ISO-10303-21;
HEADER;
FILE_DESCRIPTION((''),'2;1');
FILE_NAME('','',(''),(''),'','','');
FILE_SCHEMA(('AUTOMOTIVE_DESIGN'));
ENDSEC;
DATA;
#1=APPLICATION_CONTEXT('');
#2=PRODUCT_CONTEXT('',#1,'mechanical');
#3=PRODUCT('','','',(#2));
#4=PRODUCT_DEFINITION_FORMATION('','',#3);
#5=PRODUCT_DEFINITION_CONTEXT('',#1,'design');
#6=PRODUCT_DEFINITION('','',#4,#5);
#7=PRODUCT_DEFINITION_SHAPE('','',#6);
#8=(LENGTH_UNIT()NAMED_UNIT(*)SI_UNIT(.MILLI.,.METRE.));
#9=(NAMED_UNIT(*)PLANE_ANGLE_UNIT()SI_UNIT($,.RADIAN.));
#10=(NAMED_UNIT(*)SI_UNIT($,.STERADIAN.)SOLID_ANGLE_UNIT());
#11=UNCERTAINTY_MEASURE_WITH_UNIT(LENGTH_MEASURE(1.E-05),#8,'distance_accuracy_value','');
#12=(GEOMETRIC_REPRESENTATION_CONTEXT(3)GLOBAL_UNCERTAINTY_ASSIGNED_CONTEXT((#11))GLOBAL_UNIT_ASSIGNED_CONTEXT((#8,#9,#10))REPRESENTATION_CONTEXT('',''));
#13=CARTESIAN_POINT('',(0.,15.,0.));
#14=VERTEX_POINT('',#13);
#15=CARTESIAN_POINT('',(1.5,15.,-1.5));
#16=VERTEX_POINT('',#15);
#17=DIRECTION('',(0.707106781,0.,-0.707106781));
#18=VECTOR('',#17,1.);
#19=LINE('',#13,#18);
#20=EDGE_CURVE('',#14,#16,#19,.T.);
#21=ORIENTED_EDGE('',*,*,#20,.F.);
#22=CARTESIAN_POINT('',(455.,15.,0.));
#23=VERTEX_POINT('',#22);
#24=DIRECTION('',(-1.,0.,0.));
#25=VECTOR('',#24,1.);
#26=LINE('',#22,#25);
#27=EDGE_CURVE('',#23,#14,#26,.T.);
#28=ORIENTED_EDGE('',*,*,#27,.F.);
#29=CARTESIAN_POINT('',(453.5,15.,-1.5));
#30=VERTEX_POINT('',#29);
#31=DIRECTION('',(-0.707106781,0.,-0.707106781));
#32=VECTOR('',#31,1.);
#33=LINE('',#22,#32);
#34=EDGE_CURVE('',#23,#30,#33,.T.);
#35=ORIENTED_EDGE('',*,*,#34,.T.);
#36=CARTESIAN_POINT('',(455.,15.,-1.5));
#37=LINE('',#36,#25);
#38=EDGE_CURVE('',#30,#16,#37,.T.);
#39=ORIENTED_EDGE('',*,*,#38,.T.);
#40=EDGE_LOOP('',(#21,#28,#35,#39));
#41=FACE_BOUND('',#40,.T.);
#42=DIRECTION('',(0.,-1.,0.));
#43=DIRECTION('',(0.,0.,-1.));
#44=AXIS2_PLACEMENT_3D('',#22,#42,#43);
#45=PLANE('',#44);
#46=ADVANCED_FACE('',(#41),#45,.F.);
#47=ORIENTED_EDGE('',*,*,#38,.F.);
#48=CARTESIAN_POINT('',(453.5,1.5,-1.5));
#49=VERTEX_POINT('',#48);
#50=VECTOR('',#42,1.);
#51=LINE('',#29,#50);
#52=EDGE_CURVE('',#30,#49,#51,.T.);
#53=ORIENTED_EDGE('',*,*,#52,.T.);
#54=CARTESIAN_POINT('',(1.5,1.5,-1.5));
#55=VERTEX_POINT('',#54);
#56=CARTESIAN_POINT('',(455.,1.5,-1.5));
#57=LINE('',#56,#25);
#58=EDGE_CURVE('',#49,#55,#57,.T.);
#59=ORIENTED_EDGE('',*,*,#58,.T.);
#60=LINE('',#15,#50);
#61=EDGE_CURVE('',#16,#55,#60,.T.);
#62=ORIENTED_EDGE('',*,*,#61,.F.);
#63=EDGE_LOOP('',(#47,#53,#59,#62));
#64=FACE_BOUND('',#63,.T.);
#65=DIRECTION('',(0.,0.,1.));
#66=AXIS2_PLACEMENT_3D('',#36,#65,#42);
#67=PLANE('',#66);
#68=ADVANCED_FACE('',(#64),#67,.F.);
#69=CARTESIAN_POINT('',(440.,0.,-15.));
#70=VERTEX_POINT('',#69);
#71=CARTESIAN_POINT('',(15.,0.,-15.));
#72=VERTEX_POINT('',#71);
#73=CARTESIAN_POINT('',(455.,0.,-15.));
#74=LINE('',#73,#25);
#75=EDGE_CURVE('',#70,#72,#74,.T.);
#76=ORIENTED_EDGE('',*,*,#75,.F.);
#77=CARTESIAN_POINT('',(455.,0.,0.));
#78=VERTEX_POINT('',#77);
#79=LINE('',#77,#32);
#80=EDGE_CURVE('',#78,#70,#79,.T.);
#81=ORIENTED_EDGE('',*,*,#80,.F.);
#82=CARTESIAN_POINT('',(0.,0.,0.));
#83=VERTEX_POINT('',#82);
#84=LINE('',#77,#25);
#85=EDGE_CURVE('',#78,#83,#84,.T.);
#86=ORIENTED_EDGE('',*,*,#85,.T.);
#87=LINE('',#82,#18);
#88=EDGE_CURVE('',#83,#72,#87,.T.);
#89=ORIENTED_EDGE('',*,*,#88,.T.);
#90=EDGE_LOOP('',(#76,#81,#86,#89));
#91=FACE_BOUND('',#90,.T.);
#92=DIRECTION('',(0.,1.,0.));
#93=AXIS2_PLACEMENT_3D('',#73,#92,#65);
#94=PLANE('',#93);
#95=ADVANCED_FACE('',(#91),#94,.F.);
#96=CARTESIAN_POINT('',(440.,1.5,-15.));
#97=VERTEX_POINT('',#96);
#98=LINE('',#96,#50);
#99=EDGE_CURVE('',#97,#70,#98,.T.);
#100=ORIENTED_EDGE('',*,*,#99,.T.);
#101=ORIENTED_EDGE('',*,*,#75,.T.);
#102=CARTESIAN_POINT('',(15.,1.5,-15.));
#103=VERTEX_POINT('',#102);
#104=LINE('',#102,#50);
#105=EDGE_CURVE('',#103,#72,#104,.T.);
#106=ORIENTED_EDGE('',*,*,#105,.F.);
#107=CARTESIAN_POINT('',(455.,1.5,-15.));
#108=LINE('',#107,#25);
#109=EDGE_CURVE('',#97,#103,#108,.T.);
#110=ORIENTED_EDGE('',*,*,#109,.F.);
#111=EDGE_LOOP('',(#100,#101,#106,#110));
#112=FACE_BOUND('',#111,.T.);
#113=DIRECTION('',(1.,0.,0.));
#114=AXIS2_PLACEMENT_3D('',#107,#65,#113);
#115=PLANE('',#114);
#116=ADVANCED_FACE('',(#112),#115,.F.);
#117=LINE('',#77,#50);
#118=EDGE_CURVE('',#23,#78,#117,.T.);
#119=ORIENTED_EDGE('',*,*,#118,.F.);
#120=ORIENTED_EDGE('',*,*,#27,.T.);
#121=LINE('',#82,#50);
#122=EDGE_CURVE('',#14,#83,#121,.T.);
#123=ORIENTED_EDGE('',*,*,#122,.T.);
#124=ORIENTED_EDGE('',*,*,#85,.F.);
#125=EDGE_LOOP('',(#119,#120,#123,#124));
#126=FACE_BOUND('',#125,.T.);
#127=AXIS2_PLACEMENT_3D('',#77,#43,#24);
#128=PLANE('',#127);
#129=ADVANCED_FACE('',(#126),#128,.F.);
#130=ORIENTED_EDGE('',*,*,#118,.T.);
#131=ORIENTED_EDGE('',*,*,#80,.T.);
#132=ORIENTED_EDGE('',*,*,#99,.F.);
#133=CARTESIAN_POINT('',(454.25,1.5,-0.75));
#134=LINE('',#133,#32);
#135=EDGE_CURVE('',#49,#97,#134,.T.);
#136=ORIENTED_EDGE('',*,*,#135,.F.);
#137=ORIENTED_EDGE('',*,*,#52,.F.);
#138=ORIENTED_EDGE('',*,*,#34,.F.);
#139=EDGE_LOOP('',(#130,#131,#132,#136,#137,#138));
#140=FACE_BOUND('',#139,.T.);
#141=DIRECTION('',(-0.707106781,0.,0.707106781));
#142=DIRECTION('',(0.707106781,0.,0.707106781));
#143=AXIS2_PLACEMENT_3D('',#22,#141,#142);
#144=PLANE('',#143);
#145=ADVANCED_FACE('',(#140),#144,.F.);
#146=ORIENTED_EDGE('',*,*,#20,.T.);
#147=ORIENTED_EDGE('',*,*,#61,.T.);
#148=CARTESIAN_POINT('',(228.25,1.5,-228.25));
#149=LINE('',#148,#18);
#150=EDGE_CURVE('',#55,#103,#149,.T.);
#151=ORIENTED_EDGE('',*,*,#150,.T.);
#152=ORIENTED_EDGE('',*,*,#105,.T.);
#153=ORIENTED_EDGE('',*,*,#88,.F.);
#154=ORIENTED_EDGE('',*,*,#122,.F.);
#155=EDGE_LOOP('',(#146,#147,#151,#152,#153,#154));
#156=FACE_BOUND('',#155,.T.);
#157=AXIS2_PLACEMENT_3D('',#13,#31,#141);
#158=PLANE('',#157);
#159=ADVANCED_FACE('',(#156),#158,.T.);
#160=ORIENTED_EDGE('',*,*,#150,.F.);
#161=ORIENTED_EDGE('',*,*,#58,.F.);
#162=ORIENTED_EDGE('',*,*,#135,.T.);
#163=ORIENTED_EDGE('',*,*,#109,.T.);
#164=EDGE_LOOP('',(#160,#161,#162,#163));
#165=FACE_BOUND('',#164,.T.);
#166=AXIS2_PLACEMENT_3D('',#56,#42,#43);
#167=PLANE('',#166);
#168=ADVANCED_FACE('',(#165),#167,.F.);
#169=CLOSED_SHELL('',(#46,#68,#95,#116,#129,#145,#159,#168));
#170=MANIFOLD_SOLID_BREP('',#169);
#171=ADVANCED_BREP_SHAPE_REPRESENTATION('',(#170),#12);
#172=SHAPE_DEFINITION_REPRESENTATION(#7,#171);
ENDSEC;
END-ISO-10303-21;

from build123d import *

# Parameters (mm, degrees)
EXTRUDE_1_DEPTH     = 455
CUT_EXTRUDE_1_DEPTH = 16


with BuildPart() as part:
    # Эскиз1 → Бобышка-Вытянуть1 (new body)
    with BuildSketch(Plane(origin=(0, 0, 0), x_dir=(0, 0, -1), z_dir=(1, 0, 0))):
        Polygon((0, 0), (0, 15), (1.5, 15), (1.5, 1.5), (15, 1.5), (15, 0), align=None)
    extrude(amount=EXTRUDE_1_DEPTH)

    # Эскиз2 → Вырез-Вытянуть1 (cut, through all)
    with BuildSketch(Plane.XZ):
        Polygon((455, 0), (434.173753179, -20.826246821), (455, -20.826246821), align=None)
    cut_extrude_1 = extrude(amount=-CUT_EXTRUDE_1_DEPTH, mode=Mode.SUBTRACT)

    # Зеркальное отражение1: Вырез-Вытянуть1 across plane
    add(cut_extrude_1.mirror(Plane(origin=(227.5, 0, 0), x_dir=(0, 0, 1), z_dir=(1, 0, 0))), mode=Mode.SUBTRACT)


solid = part.part
